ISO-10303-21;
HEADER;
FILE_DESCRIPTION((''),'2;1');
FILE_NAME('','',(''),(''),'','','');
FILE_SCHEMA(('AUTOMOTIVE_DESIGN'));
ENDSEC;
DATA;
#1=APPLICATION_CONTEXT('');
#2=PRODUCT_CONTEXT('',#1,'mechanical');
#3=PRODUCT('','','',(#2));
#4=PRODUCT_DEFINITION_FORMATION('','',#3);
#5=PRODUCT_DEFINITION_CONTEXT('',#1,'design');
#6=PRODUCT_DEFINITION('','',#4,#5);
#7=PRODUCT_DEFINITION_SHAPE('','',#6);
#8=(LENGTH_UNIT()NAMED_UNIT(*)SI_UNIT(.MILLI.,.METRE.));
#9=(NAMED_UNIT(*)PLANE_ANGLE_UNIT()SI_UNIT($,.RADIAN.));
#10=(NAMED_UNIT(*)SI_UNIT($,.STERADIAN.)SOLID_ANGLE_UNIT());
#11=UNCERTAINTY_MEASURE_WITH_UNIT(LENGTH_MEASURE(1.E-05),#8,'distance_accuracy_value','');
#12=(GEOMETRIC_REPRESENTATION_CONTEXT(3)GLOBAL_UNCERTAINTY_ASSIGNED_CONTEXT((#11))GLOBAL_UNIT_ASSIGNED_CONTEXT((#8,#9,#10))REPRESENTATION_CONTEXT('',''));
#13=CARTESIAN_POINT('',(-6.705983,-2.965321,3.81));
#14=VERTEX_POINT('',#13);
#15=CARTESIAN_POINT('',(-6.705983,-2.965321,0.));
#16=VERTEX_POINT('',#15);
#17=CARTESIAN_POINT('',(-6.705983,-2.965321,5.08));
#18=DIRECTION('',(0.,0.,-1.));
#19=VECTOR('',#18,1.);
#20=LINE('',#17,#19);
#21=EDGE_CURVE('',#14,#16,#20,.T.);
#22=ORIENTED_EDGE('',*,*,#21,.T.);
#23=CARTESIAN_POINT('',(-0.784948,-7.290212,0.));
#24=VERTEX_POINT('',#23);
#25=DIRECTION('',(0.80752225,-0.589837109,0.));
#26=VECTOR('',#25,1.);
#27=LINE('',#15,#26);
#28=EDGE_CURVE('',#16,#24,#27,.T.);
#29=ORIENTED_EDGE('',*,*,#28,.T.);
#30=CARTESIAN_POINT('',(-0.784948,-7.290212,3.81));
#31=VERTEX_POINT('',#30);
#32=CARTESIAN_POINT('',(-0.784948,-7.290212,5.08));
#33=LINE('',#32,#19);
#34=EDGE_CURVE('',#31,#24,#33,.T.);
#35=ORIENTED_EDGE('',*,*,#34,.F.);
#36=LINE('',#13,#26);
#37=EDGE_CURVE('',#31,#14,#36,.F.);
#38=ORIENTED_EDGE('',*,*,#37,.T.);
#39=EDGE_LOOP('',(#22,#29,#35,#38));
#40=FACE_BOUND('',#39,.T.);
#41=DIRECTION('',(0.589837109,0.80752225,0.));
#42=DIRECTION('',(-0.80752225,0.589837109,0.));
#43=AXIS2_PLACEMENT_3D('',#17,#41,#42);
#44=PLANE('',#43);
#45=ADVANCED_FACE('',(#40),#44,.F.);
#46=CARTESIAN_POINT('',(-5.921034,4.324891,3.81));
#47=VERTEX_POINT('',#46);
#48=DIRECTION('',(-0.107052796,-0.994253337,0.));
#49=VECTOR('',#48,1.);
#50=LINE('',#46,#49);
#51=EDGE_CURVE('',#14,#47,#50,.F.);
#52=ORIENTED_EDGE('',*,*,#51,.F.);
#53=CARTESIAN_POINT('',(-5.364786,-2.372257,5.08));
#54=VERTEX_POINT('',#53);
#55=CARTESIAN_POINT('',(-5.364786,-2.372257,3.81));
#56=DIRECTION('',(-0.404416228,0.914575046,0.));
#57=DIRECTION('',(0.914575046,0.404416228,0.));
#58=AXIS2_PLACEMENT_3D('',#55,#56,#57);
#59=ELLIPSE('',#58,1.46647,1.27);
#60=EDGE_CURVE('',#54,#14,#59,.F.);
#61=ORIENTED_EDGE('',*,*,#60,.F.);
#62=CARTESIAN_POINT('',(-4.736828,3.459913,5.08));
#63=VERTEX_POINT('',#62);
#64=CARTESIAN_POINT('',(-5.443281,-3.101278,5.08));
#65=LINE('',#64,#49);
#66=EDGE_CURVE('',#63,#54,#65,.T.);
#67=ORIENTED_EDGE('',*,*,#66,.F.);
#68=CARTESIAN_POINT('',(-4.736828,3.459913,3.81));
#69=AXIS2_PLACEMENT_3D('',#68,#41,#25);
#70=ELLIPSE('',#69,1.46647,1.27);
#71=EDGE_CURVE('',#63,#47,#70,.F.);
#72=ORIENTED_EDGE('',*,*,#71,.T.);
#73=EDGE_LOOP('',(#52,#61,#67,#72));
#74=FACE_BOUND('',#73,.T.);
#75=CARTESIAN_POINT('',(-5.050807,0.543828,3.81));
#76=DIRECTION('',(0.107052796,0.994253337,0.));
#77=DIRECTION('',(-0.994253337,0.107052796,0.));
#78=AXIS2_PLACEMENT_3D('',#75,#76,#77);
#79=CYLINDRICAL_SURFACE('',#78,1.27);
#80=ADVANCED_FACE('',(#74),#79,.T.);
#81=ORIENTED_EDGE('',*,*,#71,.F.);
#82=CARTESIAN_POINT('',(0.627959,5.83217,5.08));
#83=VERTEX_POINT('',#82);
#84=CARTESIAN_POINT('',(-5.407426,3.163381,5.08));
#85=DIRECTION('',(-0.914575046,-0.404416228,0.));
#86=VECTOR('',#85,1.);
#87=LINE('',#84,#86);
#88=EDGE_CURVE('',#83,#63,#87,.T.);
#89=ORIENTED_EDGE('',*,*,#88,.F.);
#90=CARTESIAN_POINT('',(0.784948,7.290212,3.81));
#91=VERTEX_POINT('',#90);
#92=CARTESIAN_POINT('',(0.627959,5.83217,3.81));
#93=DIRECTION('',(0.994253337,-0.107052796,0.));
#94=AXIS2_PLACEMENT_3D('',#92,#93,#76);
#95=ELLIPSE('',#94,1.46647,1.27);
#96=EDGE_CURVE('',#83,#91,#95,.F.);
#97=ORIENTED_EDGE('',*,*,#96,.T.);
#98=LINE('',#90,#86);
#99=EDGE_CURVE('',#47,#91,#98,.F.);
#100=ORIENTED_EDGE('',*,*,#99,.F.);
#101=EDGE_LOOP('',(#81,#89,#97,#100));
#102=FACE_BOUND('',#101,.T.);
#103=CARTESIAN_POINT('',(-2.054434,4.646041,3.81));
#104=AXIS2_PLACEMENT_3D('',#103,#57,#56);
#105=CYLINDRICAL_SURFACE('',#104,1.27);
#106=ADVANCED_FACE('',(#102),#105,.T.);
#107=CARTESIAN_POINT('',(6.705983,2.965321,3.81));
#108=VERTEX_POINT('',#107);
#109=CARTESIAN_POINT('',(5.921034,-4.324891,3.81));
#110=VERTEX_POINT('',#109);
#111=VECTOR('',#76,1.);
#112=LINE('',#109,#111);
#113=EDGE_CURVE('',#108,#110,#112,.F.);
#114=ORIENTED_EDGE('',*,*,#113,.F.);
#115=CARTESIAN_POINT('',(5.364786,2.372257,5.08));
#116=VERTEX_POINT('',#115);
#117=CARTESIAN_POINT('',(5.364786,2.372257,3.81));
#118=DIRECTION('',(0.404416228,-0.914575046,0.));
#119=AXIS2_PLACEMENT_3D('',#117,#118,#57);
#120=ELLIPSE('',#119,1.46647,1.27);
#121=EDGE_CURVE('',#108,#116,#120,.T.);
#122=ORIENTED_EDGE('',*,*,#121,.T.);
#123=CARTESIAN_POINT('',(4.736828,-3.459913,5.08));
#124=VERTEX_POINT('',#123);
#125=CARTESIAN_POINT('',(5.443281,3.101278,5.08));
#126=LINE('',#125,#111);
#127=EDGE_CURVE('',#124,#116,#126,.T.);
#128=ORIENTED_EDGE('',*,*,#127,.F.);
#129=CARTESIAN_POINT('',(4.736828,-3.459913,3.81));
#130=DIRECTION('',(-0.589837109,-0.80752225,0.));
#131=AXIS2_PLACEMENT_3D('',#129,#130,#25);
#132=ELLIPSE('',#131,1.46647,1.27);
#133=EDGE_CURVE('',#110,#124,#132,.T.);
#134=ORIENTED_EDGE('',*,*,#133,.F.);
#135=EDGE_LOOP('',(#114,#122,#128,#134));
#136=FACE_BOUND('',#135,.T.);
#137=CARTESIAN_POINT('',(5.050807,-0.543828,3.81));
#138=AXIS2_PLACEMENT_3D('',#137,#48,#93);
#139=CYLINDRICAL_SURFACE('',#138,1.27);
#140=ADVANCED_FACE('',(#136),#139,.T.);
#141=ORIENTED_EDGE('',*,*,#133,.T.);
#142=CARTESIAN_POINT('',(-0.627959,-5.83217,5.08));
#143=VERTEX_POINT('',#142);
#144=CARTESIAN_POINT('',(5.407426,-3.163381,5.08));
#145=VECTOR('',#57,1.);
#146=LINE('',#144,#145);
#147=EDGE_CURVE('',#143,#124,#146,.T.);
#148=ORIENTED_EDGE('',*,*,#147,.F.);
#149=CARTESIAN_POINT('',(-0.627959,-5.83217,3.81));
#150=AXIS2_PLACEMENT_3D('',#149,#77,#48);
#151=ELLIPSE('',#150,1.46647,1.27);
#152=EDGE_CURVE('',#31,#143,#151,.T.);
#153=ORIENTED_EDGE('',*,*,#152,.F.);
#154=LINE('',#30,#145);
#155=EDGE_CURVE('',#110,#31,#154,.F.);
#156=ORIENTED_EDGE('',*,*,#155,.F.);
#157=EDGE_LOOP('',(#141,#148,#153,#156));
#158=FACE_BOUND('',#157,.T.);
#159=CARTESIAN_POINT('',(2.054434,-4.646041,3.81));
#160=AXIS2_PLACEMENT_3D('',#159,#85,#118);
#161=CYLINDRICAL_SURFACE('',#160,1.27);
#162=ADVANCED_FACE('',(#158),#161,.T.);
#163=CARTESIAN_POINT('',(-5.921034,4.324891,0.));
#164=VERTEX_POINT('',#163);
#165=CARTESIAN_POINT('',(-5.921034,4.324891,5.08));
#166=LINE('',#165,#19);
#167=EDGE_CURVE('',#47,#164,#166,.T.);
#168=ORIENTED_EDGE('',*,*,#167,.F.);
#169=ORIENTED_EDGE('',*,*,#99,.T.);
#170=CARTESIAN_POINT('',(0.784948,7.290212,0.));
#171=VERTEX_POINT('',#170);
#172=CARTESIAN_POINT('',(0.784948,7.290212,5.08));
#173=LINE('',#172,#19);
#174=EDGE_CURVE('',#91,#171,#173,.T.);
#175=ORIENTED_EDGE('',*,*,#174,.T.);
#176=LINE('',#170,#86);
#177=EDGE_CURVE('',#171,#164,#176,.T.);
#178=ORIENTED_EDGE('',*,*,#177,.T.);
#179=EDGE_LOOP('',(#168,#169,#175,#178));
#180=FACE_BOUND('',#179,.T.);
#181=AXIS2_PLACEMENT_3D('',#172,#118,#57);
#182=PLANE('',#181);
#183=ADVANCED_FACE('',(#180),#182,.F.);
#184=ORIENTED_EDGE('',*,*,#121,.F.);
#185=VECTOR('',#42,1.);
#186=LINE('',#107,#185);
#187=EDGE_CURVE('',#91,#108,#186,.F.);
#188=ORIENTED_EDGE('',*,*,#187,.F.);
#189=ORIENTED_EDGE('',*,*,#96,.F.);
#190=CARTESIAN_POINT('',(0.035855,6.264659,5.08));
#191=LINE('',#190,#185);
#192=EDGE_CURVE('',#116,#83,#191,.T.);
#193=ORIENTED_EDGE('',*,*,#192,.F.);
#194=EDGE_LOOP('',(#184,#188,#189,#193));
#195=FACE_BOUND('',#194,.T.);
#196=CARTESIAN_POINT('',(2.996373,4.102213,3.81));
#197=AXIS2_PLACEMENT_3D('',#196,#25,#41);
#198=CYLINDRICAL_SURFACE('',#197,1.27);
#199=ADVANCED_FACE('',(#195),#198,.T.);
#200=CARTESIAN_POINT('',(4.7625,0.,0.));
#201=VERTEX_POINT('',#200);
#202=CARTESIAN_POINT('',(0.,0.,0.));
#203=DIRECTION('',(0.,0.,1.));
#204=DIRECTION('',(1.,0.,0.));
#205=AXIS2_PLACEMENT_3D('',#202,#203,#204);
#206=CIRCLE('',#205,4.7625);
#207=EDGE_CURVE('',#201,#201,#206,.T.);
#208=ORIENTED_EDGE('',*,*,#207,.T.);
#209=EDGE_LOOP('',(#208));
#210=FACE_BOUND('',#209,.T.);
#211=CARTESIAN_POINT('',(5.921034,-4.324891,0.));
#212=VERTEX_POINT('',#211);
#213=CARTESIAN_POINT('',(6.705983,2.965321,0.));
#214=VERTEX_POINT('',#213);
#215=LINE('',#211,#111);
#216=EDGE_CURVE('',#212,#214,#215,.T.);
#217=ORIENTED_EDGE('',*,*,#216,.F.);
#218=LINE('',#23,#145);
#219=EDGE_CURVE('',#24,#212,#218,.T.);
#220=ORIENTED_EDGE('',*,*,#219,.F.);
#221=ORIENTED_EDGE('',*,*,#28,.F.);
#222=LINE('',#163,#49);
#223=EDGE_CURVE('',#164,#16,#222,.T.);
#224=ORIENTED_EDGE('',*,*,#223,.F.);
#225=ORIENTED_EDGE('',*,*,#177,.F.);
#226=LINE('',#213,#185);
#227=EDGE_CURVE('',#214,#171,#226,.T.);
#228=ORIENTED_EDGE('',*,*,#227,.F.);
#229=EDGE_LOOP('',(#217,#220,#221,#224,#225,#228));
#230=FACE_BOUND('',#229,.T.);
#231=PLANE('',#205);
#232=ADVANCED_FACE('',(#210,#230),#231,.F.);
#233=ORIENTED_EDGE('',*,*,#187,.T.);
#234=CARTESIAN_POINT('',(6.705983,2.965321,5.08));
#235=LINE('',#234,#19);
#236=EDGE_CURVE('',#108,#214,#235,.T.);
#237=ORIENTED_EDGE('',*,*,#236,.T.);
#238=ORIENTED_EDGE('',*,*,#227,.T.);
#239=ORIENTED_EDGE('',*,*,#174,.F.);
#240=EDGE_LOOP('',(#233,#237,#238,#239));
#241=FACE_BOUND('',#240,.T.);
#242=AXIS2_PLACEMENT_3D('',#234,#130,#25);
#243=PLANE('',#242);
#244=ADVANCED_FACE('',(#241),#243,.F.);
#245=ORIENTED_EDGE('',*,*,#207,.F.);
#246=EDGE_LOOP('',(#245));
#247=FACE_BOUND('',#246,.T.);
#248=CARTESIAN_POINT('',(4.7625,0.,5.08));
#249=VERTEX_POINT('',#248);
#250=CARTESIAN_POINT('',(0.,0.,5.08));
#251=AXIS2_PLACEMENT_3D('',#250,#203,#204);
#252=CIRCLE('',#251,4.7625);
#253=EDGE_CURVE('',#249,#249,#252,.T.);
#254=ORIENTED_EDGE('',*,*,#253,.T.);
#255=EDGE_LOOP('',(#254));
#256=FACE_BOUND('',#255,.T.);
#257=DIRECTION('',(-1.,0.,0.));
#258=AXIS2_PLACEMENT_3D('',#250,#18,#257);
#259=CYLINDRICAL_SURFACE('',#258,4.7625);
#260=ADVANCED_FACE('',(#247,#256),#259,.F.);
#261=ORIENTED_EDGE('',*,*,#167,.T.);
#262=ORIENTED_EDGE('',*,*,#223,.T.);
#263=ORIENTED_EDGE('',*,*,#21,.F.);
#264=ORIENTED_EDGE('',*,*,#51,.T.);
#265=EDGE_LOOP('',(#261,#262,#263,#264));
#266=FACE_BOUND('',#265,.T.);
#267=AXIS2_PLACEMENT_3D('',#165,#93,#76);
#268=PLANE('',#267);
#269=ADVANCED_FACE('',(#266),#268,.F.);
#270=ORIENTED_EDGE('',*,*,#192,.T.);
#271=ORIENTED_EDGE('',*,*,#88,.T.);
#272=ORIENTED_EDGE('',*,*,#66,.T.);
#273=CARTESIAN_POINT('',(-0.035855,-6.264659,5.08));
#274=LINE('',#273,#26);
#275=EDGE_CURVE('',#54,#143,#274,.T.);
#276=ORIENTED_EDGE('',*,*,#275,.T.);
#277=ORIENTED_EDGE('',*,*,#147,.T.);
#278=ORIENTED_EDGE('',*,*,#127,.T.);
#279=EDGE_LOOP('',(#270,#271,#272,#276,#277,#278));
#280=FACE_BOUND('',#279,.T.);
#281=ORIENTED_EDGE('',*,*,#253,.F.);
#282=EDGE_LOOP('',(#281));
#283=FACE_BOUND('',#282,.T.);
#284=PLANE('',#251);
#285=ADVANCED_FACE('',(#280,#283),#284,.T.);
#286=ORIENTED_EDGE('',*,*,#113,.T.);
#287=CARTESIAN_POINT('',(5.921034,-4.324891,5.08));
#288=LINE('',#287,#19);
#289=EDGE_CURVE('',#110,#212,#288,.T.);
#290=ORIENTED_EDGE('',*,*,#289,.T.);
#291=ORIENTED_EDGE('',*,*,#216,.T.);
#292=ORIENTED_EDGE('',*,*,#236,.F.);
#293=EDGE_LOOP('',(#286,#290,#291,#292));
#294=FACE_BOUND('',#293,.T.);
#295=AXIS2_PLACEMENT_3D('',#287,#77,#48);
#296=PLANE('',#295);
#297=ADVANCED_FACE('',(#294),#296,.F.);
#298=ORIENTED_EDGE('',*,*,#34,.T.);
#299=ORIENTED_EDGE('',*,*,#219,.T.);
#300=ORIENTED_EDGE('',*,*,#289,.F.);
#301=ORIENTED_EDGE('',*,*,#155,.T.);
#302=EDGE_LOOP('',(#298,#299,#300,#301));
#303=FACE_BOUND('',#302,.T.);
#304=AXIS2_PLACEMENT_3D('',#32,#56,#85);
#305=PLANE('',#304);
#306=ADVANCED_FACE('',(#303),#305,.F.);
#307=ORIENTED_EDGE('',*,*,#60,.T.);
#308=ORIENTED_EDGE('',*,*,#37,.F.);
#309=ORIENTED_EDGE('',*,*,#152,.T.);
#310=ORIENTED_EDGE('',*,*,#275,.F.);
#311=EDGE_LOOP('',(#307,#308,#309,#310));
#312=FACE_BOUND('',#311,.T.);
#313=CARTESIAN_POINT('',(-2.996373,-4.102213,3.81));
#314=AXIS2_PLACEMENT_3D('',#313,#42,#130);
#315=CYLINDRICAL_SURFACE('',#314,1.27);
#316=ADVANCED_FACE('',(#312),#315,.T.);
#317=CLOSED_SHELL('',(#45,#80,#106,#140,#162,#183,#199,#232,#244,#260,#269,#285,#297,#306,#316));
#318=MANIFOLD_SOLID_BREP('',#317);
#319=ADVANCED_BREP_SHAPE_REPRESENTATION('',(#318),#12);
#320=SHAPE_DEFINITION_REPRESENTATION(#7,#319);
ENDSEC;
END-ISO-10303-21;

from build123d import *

# Parameters (mm, degrees)
SKETCH1_R           = 4.7625
BOSS_EXTRUDE1_DEPTH = 5.08
FILLET1_R           = 1.27


with BuildPart() as part:
    # Sketch1 → Boss-Extrude1 (new body)
    with BuildSketch(Plane.XY):
        Polygon((6.705982891, 2.965320691), (0.784948396, 7.290211886), (-5.921034494, 4.324891195), (-6.705982891, -2.965320691), (-0.784948396, -7.290211886), (5.921034494, -4.324891195), align=None)
        Circle(SKETCH1_R, mode=Mode.SUBTRACT)
    extrude(amount=BOSS_EXTRUDE1_DEPTH)

    # Fillet1
    fillet1_edges = [part.edges().sort_by_distance(p)[0] for p in [
        (-2.568043049, 5.807551541, 5.08),
        (-6.313508693, 0.679785252, 5.08),
        (-3.745465644, -5.127766289, 5.08),
        (2.568043049, -5.807551541, 5.08),
        (6.313508693, -0.679785252, 5.08),
        (3.745465644, 5.127766289, 5.08),
    ]]
    fillet(fillet1_edges, radius=FILLET1_R)


solid = part.part
